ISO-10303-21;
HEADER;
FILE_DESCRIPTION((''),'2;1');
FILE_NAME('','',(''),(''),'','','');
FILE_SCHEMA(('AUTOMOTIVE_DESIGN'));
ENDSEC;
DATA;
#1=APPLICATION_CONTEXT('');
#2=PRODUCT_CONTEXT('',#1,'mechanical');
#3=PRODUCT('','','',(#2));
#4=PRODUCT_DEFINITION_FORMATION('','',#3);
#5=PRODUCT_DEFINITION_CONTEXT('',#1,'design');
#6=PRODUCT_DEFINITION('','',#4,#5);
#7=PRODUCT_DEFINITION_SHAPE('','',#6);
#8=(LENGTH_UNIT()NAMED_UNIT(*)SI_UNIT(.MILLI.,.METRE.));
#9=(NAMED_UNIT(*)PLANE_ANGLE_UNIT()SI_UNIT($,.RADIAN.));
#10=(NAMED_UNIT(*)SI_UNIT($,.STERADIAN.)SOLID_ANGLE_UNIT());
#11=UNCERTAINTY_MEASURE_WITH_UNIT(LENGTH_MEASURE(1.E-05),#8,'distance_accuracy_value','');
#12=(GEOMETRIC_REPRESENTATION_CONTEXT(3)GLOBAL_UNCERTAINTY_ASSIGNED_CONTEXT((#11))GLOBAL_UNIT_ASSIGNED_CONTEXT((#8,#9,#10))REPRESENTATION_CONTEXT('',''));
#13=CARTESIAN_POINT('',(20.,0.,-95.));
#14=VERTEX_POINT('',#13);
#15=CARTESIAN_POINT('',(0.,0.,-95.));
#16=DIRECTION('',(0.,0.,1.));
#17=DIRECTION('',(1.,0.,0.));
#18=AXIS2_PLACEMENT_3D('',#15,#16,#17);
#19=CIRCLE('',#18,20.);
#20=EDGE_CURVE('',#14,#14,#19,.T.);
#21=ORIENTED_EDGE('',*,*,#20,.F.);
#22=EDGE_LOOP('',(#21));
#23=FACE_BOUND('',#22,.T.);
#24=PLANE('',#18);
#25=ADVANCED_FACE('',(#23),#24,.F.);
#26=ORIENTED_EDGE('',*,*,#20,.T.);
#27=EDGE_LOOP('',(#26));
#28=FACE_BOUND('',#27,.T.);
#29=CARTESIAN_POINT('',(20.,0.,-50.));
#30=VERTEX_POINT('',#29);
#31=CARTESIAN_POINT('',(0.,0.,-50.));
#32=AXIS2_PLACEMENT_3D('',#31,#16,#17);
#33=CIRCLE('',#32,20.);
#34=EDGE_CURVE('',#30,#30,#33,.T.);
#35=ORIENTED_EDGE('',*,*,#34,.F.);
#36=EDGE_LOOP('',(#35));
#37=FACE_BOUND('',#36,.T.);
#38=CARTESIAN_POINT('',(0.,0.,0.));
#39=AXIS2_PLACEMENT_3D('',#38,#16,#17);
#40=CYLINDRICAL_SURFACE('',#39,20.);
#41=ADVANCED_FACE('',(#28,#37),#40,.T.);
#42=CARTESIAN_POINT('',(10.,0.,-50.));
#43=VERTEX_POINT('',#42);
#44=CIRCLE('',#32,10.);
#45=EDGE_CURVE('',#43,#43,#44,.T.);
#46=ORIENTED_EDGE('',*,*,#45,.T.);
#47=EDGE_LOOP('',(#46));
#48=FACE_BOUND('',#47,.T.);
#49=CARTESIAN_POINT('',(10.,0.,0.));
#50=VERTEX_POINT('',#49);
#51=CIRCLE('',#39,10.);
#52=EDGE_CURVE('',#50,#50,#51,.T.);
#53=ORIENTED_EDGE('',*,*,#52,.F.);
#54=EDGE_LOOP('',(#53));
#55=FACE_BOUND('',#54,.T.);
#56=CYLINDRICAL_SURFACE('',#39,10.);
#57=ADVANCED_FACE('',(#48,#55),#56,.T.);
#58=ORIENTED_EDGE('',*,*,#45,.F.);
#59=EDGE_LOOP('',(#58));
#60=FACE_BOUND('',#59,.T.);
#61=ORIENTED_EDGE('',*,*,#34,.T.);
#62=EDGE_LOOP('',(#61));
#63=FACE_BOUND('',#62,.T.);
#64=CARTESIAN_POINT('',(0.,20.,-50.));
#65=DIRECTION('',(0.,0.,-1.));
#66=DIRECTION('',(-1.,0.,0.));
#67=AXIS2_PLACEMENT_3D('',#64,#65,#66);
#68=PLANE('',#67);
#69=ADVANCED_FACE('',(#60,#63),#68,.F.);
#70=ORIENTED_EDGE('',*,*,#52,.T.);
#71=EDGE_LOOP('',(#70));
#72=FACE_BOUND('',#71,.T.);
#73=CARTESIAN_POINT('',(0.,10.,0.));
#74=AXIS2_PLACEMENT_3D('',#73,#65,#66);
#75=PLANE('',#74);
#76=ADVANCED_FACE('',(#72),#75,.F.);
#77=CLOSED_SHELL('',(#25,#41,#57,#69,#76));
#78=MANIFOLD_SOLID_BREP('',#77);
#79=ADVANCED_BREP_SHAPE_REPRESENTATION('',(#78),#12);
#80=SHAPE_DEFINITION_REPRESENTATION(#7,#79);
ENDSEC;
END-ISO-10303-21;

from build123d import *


with BuildPart() as part:
    # Skizze1 → Grundk_rper (revolve)
    with BuildSketch(Plane(origin=(0, 0, 0), x_dir=(0, 0, -1), z_dir=(1, 0, 0)), mode=Mode.PRIVATE) as grundk_rper_sk:
        Polygon((95, 0), (95, 20), (50, 20), (50, 10), (0, 10), (0, 0), align=None)
    revolve(grundk_rper_sk.sketch.rotate(Axis((0, 0, 0), (0, 0, -1)), 90), axis=Axis((0, 0, 0), (0, 0, -1)))  # turned: the seam where the file's is


solid = part.part
